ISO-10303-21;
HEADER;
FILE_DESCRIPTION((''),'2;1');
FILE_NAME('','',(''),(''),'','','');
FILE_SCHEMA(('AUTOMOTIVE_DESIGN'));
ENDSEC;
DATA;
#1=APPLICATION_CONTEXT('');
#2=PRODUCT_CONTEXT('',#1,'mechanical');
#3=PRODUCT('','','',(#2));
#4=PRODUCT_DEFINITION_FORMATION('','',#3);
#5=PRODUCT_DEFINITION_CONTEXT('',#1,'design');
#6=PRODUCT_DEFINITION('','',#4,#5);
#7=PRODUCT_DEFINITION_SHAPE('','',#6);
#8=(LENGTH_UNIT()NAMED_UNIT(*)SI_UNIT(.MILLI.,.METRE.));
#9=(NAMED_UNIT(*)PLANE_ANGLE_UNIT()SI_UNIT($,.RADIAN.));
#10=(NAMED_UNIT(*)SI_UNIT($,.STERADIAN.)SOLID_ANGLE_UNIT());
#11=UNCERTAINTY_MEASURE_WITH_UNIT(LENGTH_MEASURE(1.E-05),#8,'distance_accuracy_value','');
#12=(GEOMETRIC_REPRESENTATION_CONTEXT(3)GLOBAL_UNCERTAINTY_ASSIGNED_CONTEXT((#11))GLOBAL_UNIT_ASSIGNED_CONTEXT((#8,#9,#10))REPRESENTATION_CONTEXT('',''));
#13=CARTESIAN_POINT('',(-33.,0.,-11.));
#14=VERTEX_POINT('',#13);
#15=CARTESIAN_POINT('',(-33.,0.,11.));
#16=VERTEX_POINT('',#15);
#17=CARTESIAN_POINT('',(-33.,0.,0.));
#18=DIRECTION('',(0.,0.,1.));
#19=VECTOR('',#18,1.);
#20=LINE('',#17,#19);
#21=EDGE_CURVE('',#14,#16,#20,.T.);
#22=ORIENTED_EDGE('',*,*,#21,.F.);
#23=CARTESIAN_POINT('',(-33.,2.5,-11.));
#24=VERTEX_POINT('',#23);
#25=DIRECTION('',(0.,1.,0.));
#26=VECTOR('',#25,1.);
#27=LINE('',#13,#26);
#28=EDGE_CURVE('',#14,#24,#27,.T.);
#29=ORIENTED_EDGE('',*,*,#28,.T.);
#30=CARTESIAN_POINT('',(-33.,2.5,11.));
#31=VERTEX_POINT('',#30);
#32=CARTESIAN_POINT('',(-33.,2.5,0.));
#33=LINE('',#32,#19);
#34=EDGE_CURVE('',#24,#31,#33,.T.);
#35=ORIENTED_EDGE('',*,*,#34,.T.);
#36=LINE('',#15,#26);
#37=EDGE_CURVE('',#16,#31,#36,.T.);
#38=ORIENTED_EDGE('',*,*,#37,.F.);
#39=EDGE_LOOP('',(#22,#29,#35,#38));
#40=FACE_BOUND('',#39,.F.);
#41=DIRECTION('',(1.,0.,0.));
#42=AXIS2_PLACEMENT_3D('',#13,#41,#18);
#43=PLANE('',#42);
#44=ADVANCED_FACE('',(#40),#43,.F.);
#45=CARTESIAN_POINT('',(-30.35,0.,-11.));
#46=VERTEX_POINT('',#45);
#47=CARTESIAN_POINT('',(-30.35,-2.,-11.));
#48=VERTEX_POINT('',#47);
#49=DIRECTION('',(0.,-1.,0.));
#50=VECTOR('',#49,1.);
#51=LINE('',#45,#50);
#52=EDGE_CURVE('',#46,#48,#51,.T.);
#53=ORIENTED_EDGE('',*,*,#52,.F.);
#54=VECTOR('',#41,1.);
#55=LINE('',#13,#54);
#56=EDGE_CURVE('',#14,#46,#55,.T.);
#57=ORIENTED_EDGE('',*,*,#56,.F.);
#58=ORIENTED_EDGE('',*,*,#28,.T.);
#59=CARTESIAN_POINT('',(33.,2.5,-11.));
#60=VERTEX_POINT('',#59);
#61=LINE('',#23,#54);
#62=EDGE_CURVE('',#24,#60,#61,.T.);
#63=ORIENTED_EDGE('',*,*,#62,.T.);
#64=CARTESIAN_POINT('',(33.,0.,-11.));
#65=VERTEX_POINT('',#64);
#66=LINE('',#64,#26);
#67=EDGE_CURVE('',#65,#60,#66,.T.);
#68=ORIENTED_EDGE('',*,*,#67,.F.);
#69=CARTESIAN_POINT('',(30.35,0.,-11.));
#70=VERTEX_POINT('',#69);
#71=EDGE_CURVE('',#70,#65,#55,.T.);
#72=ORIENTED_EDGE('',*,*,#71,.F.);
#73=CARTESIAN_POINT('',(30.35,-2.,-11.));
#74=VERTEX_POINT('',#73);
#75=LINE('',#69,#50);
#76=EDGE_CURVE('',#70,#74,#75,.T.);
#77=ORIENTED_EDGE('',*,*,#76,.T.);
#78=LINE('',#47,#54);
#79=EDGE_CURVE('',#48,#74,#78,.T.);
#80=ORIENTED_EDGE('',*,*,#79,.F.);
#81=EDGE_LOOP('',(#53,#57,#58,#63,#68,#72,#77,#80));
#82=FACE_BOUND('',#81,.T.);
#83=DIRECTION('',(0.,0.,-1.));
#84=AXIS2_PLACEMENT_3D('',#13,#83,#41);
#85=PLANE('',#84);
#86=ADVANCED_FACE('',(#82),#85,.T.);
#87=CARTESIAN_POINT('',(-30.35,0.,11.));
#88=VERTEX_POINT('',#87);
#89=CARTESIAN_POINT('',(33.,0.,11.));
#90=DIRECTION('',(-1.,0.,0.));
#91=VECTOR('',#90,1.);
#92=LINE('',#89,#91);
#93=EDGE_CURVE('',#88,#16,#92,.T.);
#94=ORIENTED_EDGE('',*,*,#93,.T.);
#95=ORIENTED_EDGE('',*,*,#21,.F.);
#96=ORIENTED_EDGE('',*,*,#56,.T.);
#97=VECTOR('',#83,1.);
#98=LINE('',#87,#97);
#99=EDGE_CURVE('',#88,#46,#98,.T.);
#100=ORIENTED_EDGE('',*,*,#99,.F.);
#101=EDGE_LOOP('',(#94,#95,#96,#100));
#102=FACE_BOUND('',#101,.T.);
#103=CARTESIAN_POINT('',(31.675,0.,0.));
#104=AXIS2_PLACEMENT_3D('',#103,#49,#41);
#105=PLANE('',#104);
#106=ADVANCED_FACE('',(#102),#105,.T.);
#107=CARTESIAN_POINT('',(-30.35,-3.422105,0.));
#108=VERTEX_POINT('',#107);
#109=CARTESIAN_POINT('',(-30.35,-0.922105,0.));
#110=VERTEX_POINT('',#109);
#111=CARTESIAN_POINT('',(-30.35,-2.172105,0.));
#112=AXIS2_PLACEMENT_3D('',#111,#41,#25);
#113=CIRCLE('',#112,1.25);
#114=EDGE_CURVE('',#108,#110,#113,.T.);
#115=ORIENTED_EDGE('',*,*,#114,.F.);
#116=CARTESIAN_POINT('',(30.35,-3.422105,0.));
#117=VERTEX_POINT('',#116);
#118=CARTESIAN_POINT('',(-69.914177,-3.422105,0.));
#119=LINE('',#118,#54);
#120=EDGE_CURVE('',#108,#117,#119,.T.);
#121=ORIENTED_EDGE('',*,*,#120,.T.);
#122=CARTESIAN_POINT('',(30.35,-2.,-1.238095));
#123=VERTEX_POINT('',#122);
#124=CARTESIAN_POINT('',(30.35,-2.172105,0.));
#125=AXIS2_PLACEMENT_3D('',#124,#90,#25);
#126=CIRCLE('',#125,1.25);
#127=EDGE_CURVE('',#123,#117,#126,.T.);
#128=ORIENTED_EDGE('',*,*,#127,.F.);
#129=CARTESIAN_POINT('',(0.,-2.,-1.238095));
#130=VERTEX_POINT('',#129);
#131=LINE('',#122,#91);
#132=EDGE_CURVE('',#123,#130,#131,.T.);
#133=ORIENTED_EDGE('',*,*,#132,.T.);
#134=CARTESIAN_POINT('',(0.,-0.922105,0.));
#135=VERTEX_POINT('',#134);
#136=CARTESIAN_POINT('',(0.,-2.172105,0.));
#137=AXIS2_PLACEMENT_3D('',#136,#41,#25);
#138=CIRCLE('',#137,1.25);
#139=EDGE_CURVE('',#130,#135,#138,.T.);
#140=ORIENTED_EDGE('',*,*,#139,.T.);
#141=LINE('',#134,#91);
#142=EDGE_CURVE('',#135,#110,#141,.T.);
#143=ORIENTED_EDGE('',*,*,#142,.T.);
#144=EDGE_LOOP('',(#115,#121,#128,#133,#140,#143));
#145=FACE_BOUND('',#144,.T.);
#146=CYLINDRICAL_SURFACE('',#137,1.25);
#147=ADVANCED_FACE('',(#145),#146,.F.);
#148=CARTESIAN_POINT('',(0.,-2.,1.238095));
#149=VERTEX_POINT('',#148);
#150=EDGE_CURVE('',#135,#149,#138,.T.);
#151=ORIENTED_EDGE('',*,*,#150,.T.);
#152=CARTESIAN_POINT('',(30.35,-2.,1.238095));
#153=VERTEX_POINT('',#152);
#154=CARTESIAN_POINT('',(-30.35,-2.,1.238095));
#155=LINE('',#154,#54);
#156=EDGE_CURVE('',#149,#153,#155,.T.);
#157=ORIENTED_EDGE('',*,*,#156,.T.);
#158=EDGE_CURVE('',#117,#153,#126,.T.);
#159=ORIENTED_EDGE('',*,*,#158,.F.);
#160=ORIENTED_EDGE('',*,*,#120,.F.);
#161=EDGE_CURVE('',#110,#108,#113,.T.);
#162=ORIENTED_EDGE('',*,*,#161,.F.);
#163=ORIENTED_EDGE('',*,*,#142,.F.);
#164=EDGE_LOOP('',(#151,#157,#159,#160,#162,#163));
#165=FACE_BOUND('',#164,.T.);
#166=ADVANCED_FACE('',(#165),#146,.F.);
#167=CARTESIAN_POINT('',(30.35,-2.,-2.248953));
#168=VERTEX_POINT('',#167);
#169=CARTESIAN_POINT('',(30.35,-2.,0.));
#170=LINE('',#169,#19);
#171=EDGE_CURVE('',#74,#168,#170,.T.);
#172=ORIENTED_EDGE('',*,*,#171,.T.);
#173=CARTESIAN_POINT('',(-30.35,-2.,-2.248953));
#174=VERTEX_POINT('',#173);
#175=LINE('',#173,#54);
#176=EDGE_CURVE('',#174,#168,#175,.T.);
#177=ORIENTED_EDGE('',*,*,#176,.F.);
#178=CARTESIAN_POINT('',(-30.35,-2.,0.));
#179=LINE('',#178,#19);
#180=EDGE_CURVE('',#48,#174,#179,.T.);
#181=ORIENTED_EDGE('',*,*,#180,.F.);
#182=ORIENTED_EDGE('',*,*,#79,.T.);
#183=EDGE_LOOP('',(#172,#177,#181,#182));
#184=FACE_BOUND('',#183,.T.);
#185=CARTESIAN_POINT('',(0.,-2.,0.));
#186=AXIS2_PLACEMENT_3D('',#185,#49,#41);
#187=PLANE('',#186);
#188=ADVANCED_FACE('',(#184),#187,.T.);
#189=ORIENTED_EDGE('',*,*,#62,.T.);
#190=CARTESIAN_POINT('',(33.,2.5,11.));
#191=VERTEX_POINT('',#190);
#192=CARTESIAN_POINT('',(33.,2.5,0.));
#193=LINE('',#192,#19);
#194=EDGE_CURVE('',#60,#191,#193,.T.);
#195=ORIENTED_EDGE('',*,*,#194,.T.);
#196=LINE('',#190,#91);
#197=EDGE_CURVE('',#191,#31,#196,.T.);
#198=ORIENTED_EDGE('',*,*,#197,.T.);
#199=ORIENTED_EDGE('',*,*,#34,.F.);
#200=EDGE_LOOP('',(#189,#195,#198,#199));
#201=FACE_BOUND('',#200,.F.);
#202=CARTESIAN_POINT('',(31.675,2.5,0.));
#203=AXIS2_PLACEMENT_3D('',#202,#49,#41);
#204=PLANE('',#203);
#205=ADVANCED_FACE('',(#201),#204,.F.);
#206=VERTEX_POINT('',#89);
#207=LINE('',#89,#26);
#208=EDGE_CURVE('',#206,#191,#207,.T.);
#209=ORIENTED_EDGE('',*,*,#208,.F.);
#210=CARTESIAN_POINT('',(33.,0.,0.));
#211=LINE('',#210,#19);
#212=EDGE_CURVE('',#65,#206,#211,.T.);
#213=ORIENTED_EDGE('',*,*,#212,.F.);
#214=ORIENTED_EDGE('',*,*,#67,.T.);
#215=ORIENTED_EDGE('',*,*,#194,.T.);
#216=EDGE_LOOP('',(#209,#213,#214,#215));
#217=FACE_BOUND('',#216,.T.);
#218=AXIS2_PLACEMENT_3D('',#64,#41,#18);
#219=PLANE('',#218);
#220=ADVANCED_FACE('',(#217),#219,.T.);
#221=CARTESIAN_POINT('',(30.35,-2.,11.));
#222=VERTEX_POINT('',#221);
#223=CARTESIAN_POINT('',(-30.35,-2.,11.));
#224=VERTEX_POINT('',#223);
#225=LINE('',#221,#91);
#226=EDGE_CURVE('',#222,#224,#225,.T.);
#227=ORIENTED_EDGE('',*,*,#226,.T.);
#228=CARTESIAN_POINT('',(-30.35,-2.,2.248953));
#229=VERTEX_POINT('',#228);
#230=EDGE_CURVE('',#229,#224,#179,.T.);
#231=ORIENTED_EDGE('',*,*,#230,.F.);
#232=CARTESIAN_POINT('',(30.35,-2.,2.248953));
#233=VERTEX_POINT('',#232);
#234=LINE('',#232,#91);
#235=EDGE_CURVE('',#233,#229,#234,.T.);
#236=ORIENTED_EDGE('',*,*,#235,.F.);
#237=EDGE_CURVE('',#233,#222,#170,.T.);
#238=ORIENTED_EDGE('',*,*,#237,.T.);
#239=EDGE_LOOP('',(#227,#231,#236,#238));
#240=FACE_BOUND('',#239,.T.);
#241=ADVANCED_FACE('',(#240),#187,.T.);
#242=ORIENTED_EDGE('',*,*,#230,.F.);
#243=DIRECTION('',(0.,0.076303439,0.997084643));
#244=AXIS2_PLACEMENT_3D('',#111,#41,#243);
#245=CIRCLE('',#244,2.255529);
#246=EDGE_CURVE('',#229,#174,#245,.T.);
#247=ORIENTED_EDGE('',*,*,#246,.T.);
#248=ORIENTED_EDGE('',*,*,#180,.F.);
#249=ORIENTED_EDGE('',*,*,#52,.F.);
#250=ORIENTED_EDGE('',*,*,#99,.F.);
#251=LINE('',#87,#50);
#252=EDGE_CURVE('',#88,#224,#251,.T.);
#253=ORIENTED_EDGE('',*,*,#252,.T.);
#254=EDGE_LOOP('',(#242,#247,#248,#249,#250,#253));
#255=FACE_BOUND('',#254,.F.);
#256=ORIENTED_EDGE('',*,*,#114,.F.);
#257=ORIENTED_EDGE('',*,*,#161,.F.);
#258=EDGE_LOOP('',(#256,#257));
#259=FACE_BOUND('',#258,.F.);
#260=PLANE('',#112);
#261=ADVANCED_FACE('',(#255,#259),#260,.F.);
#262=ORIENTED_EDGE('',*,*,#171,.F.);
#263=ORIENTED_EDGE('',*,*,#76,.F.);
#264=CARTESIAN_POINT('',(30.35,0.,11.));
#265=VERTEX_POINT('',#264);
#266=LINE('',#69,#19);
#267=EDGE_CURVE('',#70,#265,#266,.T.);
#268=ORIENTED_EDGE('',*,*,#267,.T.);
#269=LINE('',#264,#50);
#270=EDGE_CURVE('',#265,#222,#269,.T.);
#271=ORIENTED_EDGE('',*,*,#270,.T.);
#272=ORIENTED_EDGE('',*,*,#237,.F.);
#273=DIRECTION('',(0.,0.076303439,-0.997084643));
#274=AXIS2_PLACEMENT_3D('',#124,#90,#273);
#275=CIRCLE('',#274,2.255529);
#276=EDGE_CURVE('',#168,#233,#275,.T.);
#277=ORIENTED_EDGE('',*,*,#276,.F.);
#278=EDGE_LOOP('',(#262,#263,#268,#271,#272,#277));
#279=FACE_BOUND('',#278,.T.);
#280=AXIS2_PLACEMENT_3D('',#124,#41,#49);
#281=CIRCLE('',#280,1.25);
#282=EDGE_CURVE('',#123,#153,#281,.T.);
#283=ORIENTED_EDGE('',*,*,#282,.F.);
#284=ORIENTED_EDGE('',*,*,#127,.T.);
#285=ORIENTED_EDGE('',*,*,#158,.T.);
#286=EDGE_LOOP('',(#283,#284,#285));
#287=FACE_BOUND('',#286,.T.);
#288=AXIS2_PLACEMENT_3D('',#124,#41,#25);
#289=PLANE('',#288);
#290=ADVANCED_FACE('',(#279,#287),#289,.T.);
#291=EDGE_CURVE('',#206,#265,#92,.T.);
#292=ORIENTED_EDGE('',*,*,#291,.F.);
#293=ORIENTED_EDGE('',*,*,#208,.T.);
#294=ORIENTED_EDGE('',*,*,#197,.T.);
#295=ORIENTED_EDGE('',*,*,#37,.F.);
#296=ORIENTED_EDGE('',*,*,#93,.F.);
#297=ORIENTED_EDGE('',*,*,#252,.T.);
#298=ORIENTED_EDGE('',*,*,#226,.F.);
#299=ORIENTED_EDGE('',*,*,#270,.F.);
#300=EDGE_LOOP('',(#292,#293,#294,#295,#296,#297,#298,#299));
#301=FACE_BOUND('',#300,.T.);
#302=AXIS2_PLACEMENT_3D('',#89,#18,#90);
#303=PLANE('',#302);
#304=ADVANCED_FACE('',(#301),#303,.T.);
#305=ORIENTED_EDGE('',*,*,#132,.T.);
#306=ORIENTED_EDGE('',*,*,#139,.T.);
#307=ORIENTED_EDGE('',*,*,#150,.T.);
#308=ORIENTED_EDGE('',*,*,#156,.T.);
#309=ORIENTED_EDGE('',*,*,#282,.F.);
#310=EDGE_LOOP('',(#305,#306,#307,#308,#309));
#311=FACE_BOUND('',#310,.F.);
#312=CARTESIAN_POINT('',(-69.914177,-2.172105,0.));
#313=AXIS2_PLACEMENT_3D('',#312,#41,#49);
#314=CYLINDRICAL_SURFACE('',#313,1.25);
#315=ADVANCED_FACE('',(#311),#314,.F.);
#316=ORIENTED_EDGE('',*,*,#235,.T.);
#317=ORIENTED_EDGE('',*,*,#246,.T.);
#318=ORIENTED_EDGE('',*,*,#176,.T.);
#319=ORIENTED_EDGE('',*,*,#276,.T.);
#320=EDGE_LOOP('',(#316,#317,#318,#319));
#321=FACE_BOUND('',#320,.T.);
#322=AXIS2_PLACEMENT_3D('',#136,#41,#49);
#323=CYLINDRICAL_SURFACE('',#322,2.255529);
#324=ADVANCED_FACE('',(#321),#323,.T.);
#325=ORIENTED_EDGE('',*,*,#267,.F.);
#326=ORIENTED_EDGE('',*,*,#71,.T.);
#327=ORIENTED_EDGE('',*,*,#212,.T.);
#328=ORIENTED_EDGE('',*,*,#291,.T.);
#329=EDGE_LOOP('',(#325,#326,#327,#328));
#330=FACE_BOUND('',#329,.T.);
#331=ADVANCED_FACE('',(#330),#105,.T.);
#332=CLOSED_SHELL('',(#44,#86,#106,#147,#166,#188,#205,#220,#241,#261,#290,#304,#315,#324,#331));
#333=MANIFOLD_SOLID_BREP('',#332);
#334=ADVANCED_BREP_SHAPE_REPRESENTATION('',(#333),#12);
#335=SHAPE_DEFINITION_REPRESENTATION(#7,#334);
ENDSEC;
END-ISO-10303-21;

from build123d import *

# Parameters (mm, degrees)
F0_W      = 60.7
F0_H      = 22
F1_DEPTH  = 2
F0_W_2    = 2.65
F2_DEPTH  = 2.5
F1_FACE_W = 2
F1_FACE_H = 22
F4_DEPTH  = 30.35
F5_DEPTH  = 30.35
F6_D      = 2.5
F6_DEPTH  = 33.001
F7_D      = 2.5


with BuildPart() as f1:
    # F0 (on Front) → F1 (new body)
    with BuildSketch(Plane.XZ):
        Rectangle(F0_W, F0_H)
    extrude(amount=F1_DEPTH)

    # F0 (on Front) → F2 (join)
    with BuildSketch(Plane.XZ):
        with Locations((31.675, 0)):
            Rectangle(F0_W_2, F0_H)
        Rectangle(F0_W, F0_H)
        with Locations((-31.675, 0)):
            Rectangle(F0_W_2, F0_H)
    extrude(amount=-F2_DEPTH)

    # F3 (on Right) + F1_face (on face) → F4 (join)
    with BuildSketch(Plane.YZ):
        with BuildLine():
            ThreePointArc((0.0834241115, 0), (-2.1721045963, 2.2555287078), (-4.4276333041, 0))
            ThreePointArc((-4.4276333041, 0), (-2.1721045963, -2.2555287078), (0.0834241115, 0))
        make_face()
        with BuildLine():
            ThreePointArc((-3.4221045963, 0), (-2.1721045963, 1.25), (-0.9221045963, 0))
            ThreePointArc((-0.9221045963, 0), (-2.1721045963, -1.25), (-3.4221045963, 0))
        make_face(mode=Mode.SUBTRACT)
    with BuildSketch(Plane(origin=(-30.35, -1, 0), x_dir=(0, -1, 0), z_dir=(-1, 0, 0))):
        Rectangle(F1_FACE_W, F1_FACE_H)
    extrude(amount=F4_DEPTH, dir=(1, 0, 0))

    # F3 (on Right) → F5 (join)
    with BuildSketch(Plane.YZ):
        with BuildLine():
            ThreePointArc((0.0834241115, 0), (-2.1721045963, 2.2555287078), (-4.4276333041, 0))
            ThreePointArc((-4.4276333041, 0), (-2.1721045963, -2.2555287078), (0.0834241115, 0))
        make_face()
        with BuildLine():
            ThreePointArc((-3.4221045963, 0), (-2.1721045963, 1.25), (-0.9221045963, 0))
            ThreePointArc((-0.9221045963, 0), (-2.1721045963, -1.25), (-3.4221045963, 0))
        make_face(mode=Mode.SUBTRACT)
    extrude(amount=-F5_DEPTH)

    # F6 (through all, one way)
    with BuildSketch(Plane.YZ):
        with Locations((-2.1721045963, 0)):
            Circle(F6_D / 2)
    extrude(amount=-F6_DEPTH, mode=Mode.SUBTRACT)

    # F7 (through all)
    with Locations(Plane(origin=(0, 0, 0), x_dir=(0, 1, 0), z_dir=(-1, 0, 0))):
        with Locations((-2.1721045963, 0)):
            Hole(F7_D / 2)


solid = f1.part
